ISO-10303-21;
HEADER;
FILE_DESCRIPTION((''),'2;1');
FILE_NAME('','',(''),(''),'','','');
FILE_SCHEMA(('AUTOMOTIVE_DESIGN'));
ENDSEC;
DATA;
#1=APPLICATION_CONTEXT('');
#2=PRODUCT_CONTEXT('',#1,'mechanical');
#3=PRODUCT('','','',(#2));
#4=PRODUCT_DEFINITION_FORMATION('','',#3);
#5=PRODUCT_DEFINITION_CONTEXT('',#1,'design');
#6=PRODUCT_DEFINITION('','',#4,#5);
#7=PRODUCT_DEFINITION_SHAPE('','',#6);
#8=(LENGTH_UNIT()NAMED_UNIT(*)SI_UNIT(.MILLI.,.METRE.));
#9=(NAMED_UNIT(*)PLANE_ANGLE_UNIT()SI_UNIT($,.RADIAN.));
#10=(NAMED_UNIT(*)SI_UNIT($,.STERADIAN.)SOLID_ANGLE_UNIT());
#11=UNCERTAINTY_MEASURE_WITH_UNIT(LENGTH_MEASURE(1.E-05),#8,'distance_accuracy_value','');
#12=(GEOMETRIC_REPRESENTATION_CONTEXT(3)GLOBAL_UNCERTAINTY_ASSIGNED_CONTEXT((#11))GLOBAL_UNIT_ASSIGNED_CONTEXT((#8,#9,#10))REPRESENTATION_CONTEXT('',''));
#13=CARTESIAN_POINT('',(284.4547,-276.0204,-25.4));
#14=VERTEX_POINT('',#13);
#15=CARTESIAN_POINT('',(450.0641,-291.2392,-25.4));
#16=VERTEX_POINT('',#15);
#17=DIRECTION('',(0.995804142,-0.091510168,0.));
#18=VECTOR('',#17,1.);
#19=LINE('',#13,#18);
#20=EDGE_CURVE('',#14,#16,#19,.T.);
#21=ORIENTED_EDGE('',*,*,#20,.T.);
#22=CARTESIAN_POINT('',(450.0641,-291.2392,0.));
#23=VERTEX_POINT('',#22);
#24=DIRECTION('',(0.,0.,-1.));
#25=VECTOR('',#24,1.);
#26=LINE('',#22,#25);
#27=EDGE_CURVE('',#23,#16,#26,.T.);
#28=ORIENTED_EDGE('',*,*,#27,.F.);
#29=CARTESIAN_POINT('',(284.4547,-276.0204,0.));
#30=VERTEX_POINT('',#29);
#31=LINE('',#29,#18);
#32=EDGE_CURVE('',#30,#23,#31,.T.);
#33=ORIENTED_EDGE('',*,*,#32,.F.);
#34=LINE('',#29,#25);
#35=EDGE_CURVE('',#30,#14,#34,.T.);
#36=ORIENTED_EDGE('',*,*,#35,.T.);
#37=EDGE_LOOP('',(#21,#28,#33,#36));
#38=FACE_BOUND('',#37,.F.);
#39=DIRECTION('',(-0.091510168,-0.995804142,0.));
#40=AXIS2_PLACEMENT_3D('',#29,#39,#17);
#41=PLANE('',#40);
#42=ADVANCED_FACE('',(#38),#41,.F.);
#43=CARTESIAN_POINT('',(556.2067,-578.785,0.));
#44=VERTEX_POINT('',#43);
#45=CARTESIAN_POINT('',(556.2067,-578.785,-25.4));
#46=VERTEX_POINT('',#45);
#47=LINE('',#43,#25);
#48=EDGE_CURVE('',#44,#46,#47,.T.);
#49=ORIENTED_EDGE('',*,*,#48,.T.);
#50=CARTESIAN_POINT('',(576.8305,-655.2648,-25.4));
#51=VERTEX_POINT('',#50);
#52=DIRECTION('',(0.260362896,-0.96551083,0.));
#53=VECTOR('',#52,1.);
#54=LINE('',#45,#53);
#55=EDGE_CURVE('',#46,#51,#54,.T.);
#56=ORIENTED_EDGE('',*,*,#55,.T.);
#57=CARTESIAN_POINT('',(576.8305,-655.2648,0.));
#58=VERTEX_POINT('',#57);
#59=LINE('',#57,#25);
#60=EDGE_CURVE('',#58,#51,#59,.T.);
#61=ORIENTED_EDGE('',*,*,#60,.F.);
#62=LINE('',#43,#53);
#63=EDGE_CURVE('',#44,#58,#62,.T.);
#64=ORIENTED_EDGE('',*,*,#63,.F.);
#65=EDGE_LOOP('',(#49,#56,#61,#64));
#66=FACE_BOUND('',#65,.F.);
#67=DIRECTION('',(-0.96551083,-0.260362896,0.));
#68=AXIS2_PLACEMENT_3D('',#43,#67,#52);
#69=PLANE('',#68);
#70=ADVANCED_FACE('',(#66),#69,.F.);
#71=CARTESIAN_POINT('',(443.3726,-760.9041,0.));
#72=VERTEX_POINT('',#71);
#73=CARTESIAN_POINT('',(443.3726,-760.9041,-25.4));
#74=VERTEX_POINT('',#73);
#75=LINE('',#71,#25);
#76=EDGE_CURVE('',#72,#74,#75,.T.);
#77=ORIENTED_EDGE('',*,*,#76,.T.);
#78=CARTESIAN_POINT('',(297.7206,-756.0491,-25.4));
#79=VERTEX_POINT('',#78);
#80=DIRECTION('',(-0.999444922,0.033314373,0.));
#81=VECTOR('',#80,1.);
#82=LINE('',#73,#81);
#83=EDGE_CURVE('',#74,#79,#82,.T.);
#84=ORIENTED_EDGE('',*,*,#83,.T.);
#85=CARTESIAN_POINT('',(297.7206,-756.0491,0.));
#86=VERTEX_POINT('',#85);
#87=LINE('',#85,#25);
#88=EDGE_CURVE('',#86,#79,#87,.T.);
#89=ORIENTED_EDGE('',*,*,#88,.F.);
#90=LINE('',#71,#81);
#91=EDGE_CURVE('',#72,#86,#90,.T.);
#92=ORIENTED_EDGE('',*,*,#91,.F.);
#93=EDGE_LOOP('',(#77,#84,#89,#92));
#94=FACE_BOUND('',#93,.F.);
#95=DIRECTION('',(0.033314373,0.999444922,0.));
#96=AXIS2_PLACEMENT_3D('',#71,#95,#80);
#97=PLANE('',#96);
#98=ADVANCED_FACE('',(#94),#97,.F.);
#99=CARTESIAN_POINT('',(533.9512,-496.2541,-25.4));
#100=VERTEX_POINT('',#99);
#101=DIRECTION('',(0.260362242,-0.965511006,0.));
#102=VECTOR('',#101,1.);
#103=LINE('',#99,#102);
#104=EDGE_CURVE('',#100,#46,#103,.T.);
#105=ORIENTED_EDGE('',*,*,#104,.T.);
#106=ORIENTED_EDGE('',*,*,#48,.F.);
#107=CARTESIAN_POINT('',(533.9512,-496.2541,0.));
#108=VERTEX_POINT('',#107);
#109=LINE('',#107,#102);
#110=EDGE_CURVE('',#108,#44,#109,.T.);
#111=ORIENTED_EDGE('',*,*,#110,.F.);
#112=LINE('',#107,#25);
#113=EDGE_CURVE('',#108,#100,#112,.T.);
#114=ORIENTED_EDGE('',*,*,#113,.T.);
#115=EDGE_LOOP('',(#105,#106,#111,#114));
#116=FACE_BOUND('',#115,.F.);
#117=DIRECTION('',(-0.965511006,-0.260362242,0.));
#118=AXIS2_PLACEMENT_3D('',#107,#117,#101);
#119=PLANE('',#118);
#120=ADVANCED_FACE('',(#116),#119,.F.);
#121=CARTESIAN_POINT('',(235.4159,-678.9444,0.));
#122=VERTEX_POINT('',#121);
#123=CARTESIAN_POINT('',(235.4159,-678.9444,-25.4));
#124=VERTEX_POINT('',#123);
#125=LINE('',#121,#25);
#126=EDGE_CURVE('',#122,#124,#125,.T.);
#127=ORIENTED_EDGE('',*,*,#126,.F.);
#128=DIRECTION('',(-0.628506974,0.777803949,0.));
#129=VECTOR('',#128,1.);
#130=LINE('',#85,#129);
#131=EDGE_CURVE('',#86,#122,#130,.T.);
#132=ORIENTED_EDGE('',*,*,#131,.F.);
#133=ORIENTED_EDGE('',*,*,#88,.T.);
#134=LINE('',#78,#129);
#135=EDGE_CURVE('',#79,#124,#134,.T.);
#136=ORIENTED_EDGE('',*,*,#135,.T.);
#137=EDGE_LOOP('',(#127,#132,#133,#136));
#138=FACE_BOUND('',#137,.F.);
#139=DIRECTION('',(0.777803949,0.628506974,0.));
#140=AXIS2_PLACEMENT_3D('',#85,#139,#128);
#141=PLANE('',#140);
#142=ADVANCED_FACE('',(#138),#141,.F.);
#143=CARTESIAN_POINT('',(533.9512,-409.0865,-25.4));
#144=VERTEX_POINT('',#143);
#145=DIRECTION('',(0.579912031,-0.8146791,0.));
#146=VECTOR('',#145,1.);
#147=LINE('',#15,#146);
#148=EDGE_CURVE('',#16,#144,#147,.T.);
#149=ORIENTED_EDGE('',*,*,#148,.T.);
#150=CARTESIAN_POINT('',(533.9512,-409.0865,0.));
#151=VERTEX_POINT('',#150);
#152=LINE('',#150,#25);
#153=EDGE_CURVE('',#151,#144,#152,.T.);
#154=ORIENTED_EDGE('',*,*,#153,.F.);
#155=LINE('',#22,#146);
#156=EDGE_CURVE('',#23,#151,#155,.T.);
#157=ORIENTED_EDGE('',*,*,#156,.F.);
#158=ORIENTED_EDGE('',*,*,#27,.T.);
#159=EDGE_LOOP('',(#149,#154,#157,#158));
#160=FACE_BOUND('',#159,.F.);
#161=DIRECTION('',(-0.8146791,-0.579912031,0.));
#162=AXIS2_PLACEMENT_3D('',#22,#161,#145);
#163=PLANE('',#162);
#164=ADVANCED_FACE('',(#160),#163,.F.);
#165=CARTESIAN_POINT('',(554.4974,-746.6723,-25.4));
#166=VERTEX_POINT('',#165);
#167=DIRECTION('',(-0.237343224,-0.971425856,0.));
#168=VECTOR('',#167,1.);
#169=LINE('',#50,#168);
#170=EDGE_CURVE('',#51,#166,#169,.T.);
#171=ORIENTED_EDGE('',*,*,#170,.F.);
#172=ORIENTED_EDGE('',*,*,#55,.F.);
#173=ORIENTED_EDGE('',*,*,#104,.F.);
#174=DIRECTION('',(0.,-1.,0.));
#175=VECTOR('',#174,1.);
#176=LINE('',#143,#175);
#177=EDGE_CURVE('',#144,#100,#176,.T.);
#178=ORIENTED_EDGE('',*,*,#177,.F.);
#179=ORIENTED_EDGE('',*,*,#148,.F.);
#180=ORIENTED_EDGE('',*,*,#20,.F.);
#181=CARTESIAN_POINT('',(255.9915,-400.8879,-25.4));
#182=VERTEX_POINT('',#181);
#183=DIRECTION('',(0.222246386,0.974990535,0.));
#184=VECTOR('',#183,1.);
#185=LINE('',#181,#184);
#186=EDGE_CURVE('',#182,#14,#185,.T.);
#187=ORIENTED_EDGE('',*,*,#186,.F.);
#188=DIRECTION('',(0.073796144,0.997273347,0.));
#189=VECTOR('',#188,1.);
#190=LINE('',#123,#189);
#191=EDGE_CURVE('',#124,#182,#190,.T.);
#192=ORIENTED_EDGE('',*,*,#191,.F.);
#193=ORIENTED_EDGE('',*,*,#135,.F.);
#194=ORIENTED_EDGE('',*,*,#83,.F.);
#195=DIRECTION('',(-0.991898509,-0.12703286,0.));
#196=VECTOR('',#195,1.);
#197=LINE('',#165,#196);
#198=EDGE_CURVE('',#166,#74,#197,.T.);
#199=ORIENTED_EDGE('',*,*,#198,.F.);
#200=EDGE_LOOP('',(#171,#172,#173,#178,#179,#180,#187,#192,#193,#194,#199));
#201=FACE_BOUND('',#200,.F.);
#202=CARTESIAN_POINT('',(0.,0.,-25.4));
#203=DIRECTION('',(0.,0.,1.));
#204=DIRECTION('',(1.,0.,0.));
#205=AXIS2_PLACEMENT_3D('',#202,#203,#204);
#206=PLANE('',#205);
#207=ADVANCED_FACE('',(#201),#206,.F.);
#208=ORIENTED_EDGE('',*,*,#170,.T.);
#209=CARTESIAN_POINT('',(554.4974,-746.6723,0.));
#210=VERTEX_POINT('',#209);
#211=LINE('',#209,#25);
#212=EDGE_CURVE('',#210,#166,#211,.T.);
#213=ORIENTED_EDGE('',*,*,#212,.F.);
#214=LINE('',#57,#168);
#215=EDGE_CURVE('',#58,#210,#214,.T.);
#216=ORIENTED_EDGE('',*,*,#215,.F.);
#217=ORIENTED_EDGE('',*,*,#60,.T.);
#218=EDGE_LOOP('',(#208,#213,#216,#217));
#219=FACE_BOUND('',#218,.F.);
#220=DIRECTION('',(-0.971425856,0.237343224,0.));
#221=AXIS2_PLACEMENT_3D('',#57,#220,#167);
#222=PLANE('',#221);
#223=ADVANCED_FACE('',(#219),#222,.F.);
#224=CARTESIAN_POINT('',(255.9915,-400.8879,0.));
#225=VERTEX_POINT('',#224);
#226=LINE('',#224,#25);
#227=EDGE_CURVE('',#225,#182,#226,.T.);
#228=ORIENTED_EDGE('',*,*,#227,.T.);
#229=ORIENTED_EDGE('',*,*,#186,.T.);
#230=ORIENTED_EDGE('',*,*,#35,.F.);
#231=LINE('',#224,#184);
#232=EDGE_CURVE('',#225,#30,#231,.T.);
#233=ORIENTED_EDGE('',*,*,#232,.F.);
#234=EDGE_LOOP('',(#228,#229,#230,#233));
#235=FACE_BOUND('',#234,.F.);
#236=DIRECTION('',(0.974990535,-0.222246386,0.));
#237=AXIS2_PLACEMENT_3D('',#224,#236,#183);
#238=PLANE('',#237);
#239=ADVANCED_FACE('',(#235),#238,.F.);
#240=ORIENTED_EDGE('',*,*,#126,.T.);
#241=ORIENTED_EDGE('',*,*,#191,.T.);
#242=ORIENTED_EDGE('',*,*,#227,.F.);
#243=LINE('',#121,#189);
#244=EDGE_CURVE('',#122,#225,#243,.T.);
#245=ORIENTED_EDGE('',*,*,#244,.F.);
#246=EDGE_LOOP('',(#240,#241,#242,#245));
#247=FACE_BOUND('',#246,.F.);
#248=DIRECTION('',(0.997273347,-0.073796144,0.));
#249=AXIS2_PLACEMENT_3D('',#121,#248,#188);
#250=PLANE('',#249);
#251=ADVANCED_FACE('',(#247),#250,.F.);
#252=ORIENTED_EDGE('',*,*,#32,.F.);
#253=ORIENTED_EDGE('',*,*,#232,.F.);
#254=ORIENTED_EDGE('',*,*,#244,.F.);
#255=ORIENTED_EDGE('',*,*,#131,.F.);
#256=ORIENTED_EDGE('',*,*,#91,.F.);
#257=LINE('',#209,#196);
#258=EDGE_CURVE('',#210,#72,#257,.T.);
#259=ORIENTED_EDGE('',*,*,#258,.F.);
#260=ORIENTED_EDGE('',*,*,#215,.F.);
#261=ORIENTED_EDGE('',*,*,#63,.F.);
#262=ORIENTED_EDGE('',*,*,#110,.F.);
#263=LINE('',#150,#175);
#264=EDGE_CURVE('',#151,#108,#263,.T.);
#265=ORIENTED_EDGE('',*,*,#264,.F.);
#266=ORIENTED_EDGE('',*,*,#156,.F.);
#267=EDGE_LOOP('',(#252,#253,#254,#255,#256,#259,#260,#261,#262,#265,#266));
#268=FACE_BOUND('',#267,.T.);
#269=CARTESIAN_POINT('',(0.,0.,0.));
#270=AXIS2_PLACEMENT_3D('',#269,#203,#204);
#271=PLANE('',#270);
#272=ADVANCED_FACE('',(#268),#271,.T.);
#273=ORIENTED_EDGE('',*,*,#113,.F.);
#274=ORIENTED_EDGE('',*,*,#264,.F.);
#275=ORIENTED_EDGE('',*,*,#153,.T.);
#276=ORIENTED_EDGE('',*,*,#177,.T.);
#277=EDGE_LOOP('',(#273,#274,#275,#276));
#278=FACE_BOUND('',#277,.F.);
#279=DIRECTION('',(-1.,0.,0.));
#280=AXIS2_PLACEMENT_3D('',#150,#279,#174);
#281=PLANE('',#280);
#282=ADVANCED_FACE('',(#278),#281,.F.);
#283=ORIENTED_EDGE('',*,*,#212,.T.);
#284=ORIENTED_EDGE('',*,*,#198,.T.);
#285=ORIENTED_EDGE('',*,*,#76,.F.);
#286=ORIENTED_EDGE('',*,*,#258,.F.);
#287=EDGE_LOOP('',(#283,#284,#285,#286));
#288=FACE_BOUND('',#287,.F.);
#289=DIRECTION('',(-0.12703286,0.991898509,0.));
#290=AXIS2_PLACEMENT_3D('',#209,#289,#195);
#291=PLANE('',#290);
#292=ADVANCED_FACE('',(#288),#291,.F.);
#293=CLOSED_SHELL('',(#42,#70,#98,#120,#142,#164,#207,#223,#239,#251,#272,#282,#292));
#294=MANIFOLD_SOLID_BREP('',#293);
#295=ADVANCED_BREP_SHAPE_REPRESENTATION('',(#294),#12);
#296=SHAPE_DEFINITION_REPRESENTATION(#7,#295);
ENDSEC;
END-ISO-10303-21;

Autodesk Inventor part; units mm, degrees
ref_plane "YZ Plane" through (0, 0, 0) normal (1, 0, 0) x (0, 1, 0)
ref_plane "XZ Plane" through (0, 0, 0) normal (0, 1, 0) x (-1, 0, 0)
ref_plane "XY Plane" through (0, 0, 0) normal (0, 0, 1) x (1, 0, 0)
sketch "Sketch1" plane through (0, 0, 0) normal (0, 0, 1) x (1, 0, 0)
  line L0 (-18.0719, 15.5659) -> (782.0281, 15.5659) construction
  line L1 (782.0281, 15.5659) -> (782.0281, -1051.2341) construction
  line L2 (782.0281, -1051.2341) -> (-18.0719, -1051.2341) construction
  line L3 (-18.0719, -1051.2341) -> (-18.0719, 15.5659) construction
  line L4 (450.0641, -291.2392) -> (533.9512, -409.0865)
  line L5 (533.9512, -409.0865) -> (533.9512, -496.2541)
  line L6 (533.9512, -496.2541) -> (556.2067, -578.785)
  line L7 (556.2067, -578.785) -> (576.8305, -655.2648)
  line L8 (576.8305, -655.2648) -> (554.4974, -746.6723)
  line L9 (554.4974, -746.6723) -> (443.3726, -760.9041)
  line L10 (443.3726, -760.9041) -> (297.7206, -756.0491)
  line L11 (297.7206, -756.0491) -> (235.4159, -678.9444)
  line L12 (235.4159, -678.9444) -> (255.9915, -400.8879)
  line L13 (255.9915, -400.8879) -> (284.4547, -276.0204)
  line L14 (284.4547, -276.0204) -> (450.0641, -291.2392)
  line L15 (576.8305, -760.9041) -> (235.4159, -760.9041)
  line L16 (235.4159, -760.9041) -> (235.4159, -276.0204)
  line L17 (235.4159, -276.0204) -> (576.8305, -276.0204)
  line L18 (576.8305, -276.0204) -> (576.8305, -760.9041)
  point P0 (0, 0)
  dimension "d7" = 341.4146
  dimension "d10" = 484.8837
extrude "Extrusion1" add sketch "Sketch1" against normal blind 25.4 contours L4 L5 L6 L7 L8 L9 L10 L11 L12 L13 L14
properties part number "bingo"
